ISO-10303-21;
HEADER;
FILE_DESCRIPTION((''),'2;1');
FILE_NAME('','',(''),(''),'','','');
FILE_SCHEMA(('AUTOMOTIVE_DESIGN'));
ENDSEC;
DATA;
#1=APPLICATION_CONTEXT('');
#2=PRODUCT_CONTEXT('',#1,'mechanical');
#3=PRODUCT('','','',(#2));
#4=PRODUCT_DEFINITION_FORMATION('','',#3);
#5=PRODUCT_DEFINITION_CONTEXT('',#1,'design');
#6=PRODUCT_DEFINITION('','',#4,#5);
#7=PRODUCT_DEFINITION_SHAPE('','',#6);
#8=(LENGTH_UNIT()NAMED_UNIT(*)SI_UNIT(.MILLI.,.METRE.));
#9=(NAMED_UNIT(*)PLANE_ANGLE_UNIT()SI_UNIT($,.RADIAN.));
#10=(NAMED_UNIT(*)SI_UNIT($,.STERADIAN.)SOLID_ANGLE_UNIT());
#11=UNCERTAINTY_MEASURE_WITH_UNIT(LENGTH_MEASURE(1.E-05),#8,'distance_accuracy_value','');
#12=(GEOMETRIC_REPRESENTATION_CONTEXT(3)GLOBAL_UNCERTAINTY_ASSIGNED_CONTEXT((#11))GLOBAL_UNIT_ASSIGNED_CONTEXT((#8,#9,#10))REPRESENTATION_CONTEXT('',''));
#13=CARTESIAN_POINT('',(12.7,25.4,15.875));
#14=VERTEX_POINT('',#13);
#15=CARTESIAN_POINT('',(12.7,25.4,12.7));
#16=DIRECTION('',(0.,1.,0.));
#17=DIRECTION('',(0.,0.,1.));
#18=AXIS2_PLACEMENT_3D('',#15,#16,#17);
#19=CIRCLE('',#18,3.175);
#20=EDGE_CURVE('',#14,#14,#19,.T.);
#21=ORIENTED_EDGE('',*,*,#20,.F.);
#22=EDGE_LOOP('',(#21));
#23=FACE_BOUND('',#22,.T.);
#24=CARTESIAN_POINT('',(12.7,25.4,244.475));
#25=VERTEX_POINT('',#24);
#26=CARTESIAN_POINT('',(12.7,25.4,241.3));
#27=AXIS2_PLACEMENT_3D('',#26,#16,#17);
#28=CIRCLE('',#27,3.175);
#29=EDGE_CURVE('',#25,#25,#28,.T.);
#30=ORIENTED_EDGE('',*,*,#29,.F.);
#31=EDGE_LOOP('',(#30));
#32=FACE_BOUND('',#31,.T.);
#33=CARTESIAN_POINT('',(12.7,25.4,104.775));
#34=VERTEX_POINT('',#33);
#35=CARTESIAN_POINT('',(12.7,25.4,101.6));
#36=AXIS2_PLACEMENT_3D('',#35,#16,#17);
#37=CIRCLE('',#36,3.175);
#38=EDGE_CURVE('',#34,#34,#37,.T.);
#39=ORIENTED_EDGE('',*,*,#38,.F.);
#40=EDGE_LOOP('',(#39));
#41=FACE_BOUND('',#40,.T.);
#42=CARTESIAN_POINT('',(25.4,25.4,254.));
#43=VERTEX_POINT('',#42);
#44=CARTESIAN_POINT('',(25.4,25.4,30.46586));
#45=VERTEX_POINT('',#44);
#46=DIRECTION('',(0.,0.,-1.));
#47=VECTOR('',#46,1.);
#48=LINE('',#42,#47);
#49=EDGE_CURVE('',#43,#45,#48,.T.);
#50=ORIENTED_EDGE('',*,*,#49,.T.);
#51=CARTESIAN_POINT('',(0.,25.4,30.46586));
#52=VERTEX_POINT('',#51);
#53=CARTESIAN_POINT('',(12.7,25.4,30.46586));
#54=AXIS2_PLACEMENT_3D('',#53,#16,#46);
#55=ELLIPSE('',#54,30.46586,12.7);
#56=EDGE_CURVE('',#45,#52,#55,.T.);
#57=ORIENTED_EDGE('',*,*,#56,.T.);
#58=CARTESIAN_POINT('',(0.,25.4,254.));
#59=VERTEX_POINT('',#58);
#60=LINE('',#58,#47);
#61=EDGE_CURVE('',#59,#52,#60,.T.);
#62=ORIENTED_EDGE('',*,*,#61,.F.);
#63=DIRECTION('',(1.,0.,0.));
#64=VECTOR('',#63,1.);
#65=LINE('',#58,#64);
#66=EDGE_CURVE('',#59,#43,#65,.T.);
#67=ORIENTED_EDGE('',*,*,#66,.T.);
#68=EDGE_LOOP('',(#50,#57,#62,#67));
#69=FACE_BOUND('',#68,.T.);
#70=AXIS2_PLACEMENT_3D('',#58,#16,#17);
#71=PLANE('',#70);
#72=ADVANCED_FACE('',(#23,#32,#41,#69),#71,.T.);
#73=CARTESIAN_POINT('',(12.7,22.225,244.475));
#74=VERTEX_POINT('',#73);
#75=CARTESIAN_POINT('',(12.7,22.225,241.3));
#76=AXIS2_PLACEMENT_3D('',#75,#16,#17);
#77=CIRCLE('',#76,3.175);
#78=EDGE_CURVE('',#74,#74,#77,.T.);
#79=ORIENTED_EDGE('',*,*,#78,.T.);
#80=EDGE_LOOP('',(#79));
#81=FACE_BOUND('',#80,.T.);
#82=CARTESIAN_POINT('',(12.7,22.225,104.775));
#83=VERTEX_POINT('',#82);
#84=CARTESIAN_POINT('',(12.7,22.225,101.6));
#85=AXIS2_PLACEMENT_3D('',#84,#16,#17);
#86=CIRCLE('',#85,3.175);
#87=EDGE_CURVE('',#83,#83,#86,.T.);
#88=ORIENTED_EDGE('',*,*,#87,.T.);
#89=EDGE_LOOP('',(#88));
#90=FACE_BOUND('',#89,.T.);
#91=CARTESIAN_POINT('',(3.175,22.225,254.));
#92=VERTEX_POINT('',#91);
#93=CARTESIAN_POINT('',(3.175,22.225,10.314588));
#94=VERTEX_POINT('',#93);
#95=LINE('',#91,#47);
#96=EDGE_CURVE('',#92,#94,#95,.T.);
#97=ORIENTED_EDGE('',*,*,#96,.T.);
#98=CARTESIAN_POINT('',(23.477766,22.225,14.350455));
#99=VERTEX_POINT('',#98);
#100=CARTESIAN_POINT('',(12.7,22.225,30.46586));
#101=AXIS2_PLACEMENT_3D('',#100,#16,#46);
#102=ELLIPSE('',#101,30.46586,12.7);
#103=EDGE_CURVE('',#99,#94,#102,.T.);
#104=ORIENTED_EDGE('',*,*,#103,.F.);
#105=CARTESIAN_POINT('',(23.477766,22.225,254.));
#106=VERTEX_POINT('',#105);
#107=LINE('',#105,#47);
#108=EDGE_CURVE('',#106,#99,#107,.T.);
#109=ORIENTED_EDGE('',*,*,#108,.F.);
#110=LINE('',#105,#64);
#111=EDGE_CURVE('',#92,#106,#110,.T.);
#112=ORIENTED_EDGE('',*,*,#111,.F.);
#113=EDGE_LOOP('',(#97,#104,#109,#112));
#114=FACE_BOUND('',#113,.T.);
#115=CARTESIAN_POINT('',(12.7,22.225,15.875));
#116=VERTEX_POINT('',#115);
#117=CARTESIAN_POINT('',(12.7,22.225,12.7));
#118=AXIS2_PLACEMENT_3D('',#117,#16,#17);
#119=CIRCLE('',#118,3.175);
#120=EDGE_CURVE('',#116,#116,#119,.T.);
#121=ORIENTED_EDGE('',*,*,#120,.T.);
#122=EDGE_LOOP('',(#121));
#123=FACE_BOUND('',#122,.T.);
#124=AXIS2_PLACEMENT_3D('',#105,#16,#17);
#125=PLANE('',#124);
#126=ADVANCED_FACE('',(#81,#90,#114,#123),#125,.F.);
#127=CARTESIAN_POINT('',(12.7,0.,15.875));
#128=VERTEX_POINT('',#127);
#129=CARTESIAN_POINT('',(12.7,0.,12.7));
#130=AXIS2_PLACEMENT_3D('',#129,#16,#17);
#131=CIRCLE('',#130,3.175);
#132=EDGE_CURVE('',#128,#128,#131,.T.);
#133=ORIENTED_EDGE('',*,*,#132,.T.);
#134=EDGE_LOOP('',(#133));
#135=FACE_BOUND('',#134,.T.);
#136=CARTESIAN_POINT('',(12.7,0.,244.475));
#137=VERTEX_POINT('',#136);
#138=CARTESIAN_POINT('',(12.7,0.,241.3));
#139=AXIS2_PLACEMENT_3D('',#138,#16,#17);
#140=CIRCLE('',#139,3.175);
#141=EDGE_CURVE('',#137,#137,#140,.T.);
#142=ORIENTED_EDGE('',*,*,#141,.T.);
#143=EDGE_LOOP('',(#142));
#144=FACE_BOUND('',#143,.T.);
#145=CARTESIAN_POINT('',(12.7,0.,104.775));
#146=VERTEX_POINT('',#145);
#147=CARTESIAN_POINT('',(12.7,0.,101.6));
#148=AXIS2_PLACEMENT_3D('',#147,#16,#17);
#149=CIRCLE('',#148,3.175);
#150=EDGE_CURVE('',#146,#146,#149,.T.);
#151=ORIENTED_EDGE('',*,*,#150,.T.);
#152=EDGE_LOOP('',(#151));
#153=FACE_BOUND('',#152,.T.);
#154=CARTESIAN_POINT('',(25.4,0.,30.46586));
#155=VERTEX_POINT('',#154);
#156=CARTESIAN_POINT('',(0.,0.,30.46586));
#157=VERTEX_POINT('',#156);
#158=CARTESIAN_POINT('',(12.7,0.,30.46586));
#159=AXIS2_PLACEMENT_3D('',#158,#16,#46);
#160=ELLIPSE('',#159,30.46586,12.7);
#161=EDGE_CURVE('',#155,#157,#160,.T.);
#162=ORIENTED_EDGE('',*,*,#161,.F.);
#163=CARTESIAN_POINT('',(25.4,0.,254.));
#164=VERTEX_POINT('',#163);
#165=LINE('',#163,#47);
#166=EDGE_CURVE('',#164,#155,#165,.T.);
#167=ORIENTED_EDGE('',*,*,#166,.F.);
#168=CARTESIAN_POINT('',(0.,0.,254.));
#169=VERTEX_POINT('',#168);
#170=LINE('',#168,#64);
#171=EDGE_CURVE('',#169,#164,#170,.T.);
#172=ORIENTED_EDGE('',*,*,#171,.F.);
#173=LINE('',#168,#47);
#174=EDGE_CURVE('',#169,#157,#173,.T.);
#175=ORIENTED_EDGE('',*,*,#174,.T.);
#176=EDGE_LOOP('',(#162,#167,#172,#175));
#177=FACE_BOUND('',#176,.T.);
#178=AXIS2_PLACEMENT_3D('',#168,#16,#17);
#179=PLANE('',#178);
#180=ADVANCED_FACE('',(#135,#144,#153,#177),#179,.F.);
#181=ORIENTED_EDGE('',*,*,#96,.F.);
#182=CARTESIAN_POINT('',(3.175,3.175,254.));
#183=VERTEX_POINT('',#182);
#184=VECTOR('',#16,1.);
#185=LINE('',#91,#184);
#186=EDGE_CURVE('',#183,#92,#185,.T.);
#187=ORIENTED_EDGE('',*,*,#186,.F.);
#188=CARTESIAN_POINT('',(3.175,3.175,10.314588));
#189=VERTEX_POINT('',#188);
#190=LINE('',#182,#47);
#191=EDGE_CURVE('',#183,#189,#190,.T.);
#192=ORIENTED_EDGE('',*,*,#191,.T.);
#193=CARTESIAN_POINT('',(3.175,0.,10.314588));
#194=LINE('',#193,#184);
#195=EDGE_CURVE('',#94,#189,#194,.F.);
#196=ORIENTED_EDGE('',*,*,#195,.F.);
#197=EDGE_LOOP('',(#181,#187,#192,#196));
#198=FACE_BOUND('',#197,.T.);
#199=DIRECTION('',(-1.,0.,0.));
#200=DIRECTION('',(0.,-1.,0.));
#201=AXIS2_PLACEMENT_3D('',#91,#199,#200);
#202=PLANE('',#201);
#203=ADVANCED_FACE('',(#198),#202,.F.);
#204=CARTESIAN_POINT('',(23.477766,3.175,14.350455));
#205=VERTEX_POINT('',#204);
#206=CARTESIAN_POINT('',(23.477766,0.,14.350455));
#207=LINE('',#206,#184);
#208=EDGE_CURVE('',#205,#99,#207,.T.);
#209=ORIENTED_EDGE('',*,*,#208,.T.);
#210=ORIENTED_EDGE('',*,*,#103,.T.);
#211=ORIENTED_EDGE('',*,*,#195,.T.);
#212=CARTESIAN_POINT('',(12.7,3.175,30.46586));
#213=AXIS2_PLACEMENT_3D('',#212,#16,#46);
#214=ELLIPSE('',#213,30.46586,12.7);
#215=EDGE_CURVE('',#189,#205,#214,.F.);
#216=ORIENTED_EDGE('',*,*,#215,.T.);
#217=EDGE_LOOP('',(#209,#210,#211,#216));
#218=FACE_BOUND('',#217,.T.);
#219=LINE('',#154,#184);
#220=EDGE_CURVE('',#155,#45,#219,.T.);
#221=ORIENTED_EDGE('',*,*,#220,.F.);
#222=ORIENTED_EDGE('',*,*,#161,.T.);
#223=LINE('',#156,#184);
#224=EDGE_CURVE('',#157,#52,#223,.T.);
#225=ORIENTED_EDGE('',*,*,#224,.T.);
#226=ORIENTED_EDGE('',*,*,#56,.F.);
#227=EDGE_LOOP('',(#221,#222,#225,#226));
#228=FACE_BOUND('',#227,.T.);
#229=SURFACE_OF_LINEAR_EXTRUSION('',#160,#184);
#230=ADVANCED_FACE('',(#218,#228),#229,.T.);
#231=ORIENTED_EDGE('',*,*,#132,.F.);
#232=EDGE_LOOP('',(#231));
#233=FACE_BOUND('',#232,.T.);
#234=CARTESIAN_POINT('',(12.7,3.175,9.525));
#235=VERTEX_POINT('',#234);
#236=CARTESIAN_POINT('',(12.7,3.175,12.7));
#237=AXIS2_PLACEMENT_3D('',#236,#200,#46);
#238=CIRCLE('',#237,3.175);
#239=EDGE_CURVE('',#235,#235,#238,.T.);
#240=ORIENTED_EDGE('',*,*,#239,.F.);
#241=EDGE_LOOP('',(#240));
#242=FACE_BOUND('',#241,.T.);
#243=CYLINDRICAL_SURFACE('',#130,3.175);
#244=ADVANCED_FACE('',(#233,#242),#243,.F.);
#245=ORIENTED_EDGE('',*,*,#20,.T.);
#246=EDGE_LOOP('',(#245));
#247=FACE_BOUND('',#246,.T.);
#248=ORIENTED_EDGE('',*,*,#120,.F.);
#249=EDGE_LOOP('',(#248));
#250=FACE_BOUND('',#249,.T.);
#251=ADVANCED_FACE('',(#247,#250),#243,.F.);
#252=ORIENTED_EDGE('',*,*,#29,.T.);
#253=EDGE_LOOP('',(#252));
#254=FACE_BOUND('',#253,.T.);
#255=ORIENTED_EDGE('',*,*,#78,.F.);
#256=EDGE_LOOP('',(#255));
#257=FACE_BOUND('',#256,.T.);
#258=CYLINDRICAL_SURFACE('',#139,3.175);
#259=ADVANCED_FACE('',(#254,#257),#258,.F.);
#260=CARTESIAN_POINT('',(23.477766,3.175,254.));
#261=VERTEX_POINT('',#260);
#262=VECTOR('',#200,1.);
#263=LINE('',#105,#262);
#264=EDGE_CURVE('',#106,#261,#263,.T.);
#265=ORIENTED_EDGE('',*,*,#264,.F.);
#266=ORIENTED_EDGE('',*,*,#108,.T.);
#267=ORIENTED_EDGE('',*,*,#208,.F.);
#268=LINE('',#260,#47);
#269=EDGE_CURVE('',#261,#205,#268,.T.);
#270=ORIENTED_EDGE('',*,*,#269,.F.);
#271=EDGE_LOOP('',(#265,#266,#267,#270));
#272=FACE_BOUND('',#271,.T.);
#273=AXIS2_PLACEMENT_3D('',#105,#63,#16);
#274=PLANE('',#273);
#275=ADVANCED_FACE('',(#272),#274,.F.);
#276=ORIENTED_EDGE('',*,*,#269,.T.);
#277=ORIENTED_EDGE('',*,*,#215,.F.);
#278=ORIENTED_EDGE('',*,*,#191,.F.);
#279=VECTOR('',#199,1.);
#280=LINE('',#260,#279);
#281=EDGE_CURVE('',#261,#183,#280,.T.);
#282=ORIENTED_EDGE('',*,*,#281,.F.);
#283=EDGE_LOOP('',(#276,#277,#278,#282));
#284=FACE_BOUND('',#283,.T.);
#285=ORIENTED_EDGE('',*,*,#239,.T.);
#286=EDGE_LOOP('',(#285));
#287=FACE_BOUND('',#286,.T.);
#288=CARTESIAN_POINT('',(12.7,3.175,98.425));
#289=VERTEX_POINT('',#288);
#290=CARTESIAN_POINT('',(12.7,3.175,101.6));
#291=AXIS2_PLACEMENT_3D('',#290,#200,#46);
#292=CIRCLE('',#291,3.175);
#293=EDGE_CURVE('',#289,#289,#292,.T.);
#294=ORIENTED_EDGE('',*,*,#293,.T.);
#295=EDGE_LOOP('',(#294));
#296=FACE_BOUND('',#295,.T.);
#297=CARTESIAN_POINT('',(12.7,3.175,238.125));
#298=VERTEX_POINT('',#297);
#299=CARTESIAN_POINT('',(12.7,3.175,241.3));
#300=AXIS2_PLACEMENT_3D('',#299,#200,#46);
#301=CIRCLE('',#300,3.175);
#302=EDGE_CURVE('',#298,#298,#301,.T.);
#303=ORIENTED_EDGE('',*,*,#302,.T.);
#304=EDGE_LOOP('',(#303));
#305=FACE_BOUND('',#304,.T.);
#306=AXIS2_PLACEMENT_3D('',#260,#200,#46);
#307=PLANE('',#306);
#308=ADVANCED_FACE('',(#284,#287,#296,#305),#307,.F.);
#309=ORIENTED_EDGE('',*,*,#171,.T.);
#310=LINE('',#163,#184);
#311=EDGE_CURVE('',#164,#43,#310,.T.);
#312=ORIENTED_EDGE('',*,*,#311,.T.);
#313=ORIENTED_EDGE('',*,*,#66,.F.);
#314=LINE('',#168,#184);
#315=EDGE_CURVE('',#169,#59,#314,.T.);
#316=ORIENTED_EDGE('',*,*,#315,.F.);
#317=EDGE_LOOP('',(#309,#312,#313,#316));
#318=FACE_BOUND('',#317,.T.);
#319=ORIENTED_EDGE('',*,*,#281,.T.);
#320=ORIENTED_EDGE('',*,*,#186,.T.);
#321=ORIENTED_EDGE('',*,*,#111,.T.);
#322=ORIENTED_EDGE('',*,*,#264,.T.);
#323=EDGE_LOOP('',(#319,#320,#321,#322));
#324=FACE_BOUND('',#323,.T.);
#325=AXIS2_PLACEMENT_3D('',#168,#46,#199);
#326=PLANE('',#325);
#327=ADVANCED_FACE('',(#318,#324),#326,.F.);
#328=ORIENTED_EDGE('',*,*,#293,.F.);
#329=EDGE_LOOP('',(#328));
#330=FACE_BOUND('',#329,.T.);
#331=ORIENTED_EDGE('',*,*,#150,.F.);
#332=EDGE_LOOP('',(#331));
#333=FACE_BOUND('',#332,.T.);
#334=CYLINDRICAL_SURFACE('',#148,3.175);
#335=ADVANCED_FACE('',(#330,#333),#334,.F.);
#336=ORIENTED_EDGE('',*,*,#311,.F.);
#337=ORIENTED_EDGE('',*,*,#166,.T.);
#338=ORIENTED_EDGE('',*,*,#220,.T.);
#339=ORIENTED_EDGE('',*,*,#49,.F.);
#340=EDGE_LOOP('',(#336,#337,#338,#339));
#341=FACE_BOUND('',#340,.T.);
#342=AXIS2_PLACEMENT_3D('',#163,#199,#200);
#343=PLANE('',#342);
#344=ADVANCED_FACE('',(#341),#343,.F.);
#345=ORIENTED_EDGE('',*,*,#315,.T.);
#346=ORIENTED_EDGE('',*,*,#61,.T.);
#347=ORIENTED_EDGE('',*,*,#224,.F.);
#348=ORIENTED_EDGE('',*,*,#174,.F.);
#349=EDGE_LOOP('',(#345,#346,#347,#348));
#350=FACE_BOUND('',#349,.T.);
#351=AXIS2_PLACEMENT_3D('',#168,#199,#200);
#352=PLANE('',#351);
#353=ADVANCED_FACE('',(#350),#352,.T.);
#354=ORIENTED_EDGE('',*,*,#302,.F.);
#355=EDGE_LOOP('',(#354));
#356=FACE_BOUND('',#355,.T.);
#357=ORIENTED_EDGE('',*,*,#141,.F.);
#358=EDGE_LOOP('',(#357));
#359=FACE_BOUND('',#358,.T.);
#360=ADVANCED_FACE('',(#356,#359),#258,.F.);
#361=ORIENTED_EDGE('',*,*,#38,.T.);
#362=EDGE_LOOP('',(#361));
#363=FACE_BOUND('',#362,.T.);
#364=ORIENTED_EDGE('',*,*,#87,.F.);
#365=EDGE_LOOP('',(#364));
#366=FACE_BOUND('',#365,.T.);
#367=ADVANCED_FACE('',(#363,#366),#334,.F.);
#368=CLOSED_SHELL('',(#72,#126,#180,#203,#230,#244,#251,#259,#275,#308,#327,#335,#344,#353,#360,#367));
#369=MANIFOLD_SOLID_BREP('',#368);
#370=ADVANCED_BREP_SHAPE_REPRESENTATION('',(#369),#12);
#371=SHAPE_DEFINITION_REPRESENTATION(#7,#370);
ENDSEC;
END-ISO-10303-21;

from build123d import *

# Parameters (mm, degrees)
SKETCH1_W           = 25.4
SKETCH1_H           = 25.4
BOSS_EXTRUDE2_DEPTH = 254
SKETCH2_W           = 20.302766191
SKETCH2_H           = 19.05
CUT_EXTRUDE1_DEPTH  = 257.527425434
CUT_EXTRUDE2_DEPTH  = 257.527425434
SKETCH6_R           = 3.175
CUT_EXTRUDE5_DEPTH  = 257.527425553
SKETCH4_R           = 3.175
CUT_EXTRUDE6_DEPTH  = 257.527425553
SKETCH7_R           = 3.175
CUT_EXTRUDE7_DEPTH  = 257.527425553


with BuildPart() as part:
    # Sketch1 → Boss-Extrude2 (new body)
    with BuildSketch(Plane.XY):
        with Locations((12.7, 12.7)):
            Rectangle(SKETCH1_W, SKETCH1_H)
    extrude(amount=BOSS_EXTRUDE2_DEPTH)

    # Sketch2 → Cut-Extrude1 (cut, through all)
    with BuildSketch(Plane(origin=(0, 0, 0), x_dir=(-1, 0, 0), z_dir=(0, 0, -1))):
        with Locations((-13.326383096, 12.7)):
            Rectangle(SKETCH2_W, SKETCH2_H)
    extrude(amount=-CUT_EXTRUDE1_DEPTH, mode=Mode.SUBTRACT)

    # Sketch3 → Cut-Extrude2 (cut, through all)
    with BuildSketch(Plane(origin=(0, 25.4, 0), x_dir=(1, 0, 0), z_dir=(0, 1, 0))):
        with BuildLine():
            add(Edge.make_bspline(
                [(12.7, 0), (0, 0), (0, -30.465860076)],
                knots=[6.283185307, 6.283185307, 6.283185307, 7.853981634, 7.853981634, 7.853981634], degree=2, weights=[1, 0.707106781, 1]))
            Line((12.7, 0), (0, 0))
            Line((0, 0), (0, -30.465860076))
        make_face()
        with BuildLine():
            Line((25.4, 0), (12.7, 0))
            add(Edge.make_bspline(
                [(25.4, -30.465860076), (25.4, 0), (12.7, 0)],
                knots=[4.71238898, 4.71238898, 4.71238898, 6.283185307, 6.283185307, 6.283185307], degree=2, weights=[1, 0.707106781, 1]))
            Line((25.4, -30.465860076), (25.4, 0))
        make_face()
    extrude(amount=-CUT_EXTRUDE2_DEPTH, mode=Mode.SUBTRACT)

    # Sketch6 → Cut-Extrude5 (cut, through all)
    with BuildSketch(Plane(origin=(0, 25.4, 0), x_dir=(1, 0, 0), z_dir=(0, 1, 0))):
        with Locations(Location((12.7, -12.7, 0), (0, 0, 270))):
            Circle(SKETCH6_R)
    extrude(amount=-CUT_EXTRUDE5_DEPTH, mode=Mode.SUBTRACT)

    # Sketch4 → Cut-Extrude6 (cut, through all)
    with BuildSketch(Plane(origin=(0, 25.4, 0), x_dir=(1, 0, 0), z_dir=(0, 1, 0))):
        with Locations(Location((12.7, -101.6, 0), (0, 0, 270))):
            Circle(SKETCH4_R)
    extrude(amount=-CUT_EXTRUDE6_DEPTH, mode=Mode.SUBTRACT)

    # Sketch7 → Cut-Extrude7 (cut, through all)
    with BuildSketch(Plane(origin=(0, 25.4, 0), x_dir=(1, 0, 0), z_dir=(0, 1, 0))):
        with Locations(Location((12.7, -241.3, 0), (0, 0, 270))):
            Circle(SKETCH7_R)
    extrude(amount=-CUT_EXTRUDE7_DEPTH, mode=Mode.SUBTRACT)


solid = part.part
